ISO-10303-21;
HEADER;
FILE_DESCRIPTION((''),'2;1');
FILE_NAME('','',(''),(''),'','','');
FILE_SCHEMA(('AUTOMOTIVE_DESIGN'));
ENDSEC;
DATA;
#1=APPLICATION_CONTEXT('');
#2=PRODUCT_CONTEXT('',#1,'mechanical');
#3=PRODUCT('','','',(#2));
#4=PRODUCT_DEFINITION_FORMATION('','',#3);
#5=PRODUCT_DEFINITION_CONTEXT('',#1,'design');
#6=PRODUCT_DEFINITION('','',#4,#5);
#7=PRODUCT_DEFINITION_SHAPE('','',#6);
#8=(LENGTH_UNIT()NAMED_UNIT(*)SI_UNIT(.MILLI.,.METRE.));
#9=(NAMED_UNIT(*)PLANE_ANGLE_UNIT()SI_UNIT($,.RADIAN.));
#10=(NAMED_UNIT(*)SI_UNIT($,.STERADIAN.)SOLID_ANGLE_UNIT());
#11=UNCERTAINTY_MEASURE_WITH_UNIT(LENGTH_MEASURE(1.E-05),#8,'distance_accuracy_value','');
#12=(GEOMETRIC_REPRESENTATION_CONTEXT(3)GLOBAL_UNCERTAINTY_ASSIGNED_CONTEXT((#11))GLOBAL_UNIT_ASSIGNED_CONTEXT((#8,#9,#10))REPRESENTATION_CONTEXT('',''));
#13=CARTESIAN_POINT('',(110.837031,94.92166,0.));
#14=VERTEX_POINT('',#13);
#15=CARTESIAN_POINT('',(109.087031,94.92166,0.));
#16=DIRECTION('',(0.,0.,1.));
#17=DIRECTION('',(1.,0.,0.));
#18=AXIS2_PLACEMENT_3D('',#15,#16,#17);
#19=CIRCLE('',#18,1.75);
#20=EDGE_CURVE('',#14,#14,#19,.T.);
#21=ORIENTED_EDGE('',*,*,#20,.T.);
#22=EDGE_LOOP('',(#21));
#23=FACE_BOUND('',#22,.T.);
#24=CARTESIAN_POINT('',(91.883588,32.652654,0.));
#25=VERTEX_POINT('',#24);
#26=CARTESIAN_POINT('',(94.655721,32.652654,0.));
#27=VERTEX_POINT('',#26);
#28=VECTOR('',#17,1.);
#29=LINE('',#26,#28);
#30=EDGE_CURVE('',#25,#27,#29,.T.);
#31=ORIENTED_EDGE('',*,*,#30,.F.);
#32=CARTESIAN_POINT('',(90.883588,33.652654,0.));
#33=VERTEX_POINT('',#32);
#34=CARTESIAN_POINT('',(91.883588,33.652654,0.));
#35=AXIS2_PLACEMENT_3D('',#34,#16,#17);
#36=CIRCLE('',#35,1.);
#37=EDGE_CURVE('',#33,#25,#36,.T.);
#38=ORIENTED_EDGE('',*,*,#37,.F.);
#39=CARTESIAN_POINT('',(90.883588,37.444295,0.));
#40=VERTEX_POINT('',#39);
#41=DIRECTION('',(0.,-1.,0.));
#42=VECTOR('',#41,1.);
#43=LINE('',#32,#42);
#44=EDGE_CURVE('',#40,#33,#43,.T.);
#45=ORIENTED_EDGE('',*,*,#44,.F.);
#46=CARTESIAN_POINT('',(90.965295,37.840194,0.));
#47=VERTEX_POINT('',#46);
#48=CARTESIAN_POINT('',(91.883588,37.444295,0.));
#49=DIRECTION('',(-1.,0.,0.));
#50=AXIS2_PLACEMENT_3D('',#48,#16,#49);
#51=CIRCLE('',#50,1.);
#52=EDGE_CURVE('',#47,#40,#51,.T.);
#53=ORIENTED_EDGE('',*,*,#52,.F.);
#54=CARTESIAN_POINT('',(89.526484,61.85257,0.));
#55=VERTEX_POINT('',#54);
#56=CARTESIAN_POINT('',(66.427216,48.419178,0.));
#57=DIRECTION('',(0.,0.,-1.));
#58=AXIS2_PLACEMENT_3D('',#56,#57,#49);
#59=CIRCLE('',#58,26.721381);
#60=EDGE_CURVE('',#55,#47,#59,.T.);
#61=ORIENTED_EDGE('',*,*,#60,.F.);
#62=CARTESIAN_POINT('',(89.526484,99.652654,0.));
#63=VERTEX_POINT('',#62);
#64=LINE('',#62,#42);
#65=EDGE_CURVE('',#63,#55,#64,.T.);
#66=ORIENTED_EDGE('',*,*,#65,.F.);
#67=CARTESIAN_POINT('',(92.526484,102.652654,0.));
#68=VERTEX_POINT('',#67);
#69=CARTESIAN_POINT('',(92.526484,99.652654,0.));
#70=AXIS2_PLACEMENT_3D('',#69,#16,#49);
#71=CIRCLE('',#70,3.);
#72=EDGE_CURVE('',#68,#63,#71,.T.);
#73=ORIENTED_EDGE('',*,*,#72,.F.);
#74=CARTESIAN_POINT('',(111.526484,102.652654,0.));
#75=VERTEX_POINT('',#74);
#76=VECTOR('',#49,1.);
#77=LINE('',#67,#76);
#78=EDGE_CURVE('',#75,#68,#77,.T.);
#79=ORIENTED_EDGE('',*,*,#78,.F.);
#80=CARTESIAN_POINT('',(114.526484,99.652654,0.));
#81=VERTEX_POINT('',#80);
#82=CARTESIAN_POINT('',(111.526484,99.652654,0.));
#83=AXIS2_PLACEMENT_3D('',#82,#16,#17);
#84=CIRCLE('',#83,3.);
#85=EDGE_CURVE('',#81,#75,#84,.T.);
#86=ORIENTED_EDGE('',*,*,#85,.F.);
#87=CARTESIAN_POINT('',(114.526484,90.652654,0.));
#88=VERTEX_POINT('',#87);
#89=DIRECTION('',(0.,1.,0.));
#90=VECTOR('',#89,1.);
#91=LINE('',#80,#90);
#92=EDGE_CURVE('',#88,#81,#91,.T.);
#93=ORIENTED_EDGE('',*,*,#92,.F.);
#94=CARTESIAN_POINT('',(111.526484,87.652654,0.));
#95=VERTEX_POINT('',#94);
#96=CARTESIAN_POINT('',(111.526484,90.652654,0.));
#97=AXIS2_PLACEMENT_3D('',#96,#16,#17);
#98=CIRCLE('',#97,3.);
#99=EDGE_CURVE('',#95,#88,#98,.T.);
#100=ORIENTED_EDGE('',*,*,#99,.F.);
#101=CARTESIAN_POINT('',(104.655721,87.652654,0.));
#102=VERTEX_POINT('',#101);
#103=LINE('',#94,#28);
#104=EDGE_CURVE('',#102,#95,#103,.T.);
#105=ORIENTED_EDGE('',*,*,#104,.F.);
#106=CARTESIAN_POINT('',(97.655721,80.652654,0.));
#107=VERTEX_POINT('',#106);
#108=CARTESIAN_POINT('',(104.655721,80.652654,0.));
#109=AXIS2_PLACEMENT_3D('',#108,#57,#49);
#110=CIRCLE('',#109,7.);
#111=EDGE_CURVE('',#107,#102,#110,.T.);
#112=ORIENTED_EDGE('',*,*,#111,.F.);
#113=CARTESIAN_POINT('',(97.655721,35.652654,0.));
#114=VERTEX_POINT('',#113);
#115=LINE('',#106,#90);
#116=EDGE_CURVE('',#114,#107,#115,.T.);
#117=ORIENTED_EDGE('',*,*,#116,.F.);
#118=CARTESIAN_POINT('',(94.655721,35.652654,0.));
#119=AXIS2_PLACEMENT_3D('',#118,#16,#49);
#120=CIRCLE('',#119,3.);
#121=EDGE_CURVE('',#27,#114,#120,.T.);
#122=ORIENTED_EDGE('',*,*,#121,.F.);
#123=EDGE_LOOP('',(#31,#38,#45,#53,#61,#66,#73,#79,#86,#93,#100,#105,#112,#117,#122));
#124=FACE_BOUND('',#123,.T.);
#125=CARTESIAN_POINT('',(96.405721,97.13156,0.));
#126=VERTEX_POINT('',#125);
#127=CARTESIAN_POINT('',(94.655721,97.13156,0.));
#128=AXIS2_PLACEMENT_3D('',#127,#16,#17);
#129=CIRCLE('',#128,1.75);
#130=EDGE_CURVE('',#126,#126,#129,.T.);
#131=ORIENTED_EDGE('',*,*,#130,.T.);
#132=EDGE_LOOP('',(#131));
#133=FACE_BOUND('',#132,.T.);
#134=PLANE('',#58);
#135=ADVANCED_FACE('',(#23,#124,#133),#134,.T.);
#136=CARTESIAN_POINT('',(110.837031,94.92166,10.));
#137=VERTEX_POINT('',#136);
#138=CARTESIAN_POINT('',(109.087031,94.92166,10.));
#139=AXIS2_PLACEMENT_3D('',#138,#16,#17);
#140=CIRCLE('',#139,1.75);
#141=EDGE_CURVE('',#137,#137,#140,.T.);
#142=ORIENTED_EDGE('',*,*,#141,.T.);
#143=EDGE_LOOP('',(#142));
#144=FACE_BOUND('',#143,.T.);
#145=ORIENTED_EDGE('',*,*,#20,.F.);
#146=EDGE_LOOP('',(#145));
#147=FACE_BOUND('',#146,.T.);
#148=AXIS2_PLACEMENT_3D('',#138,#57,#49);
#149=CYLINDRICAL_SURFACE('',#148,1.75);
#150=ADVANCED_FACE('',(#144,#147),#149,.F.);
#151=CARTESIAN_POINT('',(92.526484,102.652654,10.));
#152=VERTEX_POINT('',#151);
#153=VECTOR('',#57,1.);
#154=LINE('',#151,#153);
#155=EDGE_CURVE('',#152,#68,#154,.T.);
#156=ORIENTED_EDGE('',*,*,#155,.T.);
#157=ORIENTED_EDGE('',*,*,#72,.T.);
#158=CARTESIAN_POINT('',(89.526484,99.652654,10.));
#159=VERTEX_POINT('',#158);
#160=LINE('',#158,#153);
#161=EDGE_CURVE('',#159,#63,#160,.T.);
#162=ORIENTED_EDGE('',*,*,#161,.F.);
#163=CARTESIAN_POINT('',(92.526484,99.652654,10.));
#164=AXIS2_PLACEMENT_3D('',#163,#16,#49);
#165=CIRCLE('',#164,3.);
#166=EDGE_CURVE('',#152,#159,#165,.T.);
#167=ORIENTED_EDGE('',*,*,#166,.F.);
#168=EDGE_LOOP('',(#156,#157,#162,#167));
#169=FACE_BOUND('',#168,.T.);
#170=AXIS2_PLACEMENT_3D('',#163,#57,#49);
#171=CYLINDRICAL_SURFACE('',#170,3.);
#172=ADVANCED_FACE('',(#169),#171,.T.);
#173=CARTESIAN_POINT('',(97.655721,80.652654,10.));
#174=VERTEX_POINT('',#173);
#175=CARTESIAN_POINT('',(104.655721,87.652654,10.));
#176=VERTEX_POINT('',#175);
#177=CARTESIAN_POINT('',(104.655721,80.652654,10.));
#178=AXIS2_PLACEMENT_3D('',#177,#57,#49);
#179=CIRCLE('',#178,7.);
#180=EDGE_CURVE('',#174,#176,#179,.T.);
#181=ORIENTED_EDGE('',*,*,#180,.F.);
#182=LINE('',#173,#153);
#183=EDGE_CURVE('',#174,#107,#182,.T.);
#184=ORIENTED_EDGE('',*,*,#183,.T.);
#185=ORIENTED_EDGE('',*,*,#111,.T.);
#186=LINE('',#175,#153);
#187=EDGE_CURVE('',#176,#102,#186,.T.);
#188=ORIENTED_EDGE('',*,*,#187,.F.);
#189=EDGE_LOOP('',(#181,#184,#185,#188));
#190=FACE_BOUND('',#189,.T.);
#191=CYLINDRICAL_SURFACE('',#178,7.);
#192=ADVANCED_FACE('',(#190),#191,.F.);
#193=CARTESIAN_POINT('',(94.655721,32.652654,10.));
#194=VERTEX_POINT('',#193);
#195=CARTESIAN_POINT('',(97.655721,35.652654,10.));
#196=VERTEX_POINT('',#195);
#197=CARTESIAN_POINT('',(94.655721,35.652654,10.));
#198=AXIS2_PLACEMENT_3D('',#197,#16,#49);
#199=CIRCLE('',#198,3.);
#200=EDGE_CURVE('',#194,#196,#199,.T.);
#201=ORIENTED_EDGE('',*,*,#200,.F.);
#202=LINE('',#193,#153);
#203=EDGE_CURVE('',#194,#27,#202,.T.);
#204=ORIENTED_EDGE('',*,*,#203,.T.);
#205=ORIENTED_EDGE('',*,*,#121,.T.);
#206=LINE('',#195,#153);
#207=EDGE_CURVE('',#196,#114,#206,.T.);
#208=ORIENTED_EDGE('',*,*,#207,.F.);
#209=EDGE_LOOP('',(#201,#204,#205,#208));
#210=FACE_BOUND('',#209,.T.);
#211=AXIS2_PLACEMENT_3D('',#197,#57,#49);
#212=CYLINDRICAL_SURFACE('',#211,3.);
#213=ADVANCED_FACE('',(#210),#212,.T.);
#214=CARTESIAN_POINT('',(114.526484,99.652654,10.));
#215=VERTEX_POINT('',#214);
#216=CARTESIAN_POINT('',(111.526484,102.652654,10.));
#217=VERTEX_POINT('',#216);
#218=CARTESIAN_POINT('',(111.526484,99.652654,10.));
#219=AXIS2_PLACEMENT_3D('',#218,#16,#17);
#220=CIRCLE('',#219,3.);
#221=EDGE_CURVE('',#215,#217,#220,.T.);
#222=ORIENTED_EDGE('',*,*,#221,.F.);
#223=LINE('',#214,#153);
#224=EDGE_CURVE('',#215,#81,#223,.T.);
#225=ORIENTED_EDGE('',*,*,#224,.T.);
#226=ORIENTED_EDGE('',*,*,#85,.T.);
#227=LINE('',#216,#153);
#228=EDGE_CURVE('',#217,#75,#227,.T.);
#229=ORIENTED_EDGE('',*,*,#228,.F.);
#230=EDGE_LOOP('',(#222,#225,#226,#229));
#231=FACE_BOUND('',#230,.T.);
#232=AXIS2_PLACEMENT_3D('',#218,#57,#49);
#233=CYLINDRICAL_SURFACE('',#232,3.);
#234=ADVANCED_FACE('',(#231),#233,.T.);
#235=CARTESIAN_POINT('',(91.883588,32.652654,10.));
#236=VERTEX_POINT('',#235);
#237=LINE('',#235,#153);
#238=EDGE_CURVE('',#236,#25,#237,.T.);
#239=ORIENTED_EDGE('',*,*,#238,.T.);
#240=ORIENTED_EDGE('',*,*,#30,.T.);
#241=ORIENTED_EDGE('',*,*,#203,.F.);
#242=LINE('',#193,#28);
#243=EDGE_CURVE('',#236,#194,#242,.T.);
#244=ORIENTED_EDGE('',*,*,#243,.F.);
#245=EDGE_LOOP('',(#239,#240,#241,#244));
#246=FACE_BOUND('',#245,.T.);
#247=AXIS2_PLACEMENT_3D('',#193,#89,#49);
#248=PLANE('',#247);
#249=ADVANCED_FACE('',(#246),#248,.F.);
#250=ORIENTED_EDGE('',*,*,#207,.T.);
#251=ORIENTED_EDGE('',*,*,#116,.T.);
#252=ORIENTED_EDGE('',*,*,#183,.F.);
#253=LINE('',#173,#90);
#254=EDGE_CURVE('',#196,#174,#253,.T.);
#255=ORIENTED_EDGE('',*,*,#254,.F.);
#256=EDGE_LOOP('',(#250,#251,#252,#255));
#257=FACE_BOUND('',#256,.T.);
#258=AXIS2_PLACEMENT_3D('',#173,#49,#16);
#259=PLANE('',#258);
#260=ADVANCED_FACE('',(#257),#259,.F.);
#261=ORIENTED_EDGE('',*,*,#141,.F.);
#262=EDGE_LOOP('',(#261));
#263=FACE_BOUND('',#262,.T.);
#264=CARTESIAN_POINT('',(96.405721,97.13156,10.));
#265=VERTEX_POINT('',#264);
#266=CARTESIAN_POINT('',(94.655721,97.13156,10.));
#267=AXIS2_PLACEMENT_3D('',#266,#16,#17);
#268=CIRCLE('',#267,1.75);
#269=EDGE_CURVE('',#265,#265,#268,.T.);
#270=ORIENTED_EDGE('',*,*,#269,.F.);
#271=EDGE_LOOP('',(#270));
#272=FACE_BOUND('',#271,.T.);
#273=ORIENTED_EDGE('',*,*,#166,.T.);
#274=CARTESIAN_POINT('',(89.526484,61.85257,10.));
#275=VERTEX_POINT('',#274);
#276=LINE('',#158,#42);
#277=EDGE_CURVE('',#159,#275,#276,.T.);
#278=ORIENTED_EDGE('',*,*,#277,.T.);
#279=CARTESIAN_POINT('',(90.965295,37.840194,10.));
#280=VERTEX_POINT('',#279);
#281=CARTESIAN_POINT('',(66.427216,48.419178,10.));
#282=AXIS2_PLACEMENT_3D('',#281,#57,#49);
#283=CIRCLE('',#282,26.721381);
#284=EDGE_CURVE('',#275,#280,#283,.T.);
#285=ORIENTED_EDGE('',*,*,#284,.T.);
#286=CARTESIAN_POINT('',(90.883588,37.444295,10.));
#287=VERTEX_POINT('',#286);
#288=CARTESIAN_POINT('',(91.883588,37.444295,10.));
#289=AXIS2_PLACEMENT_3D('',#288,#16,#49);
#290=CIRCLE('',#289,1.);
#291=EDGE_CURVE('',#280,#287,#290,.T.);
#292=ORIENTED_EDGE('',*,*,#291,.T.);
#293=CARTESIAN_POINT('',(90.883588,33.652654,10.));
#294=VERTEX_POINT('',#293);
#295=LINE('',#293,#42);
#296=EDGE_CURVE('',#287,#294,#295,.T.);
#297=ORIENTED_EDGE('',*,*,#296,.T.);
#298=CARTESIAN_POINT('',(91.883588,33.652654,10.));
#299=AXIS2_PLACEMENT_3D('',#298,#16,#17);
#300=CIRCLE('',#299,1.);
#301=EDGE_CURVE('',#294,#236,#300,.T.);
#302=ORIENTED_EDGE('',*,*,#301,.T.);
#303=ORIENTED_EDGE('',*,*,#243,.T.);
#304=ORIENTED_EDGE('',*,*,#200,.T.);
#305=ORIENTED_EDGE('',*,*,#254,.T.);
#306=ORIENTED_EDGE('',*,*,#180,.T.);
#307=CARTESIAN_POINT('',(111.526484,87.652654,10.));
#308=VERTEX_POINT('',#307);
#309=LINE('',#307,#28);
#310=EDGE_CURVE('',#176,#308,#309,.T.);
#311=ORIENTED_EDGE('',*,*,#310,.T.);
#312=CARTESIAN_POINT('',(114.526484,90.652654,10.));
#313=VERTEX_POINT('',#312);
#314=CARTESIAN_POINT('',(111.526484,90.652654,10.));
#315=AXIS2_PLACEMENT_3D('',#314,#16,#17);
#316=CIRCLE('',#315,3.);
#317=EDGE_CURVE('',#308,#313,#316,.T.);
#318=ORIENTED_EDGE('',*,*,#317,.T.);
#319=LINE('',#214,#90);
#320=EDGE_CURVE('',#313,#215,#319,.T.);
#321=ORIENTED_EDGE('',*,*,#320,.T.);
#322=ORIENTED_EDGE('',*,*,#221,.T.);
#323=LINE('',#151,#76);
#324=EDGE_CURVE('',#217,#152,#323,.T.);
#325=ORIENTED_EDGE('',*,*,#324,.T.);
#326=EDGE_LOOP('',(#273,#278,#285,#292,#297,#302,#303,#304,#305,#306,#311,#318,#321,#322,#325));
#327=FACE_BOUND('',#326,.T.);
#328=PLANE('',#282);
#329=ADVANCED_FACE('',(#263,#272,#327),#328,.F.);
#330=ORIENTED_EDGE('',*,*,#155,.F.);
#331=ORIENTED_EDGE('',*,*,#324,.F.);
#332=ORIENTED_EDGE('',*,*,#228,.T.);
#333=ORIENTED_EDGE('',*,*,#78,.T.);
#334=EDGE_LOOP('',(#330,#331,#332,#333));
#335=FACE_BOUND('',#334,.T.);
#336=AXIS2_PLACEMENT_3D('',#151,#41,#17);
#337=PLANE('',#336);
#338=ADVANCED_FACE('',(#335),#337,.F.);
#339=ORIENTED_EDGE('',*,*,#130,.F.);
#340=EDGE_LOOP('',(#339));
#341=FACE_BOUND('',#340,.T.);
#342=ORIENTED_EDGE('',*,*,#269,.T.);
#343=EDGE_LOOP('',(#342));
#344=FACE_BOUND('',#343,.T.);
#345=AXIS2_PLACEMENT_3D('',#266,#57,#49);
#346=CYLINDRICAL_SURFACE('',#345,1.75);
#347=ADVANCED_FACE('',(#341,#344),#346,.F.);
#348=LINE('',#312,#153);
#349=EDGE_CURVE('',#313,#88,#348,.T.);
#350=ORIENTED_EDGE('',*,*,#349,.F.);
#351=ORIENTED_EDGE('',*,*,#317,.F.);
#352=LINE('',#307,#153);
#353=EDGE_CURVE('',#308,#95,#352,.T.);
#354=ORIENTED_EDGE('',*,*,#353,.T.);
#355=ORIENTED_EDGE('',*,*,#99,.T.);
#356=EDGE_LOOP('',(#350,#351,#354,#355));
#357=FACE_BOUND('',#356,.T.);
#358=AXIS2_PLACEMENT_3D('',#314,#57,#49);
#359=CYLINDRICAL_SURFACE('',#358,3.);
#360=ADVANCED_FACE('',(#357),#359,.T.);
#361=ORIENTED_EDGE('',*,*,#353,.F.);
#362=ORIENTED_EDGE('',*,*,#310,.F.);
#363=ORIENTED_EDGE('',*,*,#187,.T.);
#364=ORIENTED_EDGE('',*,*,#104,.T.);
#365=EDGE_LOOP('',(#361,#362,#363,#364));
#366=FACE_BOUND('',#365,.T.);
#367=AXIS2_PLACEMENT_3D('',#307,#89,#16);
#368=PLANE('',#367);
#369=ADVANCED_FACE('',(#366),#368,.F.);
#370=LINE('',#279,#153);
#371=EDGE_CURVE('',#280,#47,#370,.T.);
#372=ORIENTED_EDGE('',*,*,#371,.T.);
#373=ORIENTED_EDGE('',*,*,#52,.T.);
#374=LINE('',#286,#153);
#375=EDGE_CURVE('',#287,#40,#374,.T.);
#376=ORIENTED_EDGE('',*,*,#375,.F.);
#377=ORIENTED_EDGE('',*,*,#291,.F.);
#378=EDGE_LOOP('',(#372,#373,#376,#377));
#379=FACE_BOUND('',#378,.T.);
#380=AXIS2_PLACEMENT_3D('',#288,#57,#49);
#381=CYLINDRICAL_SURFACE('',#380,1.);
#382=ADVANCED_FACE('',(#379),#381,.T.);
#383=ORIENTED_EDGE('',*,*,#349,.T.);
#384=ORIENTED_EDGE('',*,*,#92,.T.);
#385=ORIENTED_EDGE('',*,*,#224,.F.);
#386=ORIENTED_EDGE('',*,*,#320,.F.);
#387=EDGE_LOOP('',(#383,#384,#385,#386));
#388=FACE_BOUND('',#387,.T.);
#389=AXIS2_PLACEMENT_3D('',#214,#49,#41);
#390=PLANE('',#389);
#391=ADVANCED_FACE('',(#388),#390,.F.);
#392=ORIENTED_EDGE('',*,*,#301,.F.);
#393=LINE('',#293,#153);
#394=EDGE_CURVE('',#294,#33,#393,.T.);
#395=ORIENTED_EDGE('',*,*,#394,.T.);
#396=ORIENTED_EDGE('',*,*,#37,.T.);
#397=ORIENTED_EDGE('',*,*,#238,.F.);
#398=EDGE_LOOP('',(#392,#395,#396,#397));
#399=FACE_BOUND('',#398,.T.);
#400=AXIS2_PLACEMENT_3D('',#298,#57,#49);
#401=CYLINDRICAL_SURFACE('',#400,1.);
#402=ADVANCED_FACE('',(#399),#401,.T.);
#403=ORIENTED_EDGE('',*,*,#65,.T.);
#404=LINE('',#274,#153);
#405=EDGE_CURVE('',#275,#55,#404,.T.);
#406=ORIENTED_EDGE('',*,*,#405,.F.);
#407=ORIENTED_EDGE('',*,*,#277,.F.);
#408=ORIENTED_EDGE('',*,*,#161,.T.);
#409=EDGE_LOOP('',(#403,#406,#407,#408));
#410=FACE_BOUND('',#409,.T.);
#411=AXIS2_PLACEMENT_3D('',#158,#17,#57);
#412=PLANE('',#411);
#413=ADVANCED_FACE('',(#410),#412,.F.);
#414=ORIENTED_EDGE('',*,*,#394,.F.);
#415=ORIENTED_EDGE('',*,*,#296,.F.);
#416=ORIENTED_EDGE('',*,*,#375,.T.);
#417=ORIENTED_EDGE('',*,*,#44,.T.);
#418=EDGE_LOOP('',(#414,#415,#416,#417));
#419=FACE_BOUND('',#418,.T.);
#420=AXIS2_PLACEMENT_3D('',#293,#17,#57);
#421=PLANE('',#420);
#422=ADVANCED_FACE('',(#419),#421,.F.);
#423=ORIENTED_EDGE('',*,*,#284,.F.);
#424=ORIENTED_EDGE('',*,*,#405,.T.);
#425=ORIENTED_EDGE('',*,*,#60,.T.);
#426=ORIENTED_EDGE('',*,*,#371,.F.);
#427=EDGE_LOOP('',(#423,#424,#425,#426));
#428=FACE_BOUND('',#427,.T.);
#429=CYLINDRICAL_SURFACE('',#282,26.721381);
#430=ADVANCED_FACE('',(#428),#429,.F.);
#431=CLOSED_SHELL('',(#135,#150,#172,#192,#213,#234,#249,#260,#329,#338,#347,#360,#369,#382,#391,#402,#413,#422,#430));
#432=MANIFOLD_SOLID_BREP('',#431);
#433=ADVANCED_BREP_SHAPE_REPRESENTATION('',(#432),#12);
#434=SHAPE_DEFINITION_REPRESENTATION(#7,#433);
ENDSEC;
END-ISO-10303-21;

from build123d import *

# Parameters (mm, degrees)
SKETCH1_R           = 1.75
BOSS_EXTRUDE1_DEPTH = 10


with BuildPart() as part:
    # Sketch1 → Boss-Extrude1 (new body)
    with BuildSketch(Plane.XY):
        with BuildLine():
            Line((92.526484321, 102.652653788), (111.526484321, 102.652653788))
            ThreePointArc((111.526484321, 102.652653788), (113.647804665, 101.773974132), (114.526484321, 99.652653788))
            Line((114.526484321, 99.652653788), (114.526484321, 90.652653788))
            ThreePointArc((114.526484321, 90.652653788), (113.647804665, 88.531333445), (111.526484321, 87.652653788))
            Line((111.526484321, 87.652653788), (104.655721469, 87.652653788))
            ThreePointArc((104.655721469, 87.652653788), (99.705974001, 85.602401257), (97.655721469, 80.652653788))
            Line((97.655721469, 80.652653788), (97.655721469, 35.652653788))
            ThreePointArc((97.655721469, 35.652653788), (96.777041813, 33.531333445), (94.655721469, 32.652653788))
            Line((94.655721469, 32.652653788), (91.883588365, 32.652653788))
            ThreePointArc((91.883588365, 32.652653788), (91.176481584, 32.945547007), (90.883588365, 33.652653788))
            Line((90.883588365, 33.652653788), (90.883588365, 37.44429483))
            ThreePointArc((90.883588365, 37.44429483), (90.904227909, 37.646416321), (90.96529456, 37.840194422))
            ThreePointArc((90.96529456, 37.840194422), (93.100756161, 50.01744431), (89.526484321, 61.852569654))
            Line((89.526484321, 61.852569654), (89.526484321, 99.652653788))
            ThreePointArc((89.526484321, 99.652653788), (90.405163978, 101.773974132), (92.526484321, 102.652653788))
        make_face()
        with Locations((94.655721469, 97.131560256)):
            Circle(SKETCH1_R, mode=Mode.SUBTRACT)
        with Locations((109.087030876, 94.921659672)):
            Circle(SKETCH1_R, mode=Mode.SUBTRACT)
    extrude(amount=BOSS_EXTRUDE1_DEPTH)


solid = part.part
